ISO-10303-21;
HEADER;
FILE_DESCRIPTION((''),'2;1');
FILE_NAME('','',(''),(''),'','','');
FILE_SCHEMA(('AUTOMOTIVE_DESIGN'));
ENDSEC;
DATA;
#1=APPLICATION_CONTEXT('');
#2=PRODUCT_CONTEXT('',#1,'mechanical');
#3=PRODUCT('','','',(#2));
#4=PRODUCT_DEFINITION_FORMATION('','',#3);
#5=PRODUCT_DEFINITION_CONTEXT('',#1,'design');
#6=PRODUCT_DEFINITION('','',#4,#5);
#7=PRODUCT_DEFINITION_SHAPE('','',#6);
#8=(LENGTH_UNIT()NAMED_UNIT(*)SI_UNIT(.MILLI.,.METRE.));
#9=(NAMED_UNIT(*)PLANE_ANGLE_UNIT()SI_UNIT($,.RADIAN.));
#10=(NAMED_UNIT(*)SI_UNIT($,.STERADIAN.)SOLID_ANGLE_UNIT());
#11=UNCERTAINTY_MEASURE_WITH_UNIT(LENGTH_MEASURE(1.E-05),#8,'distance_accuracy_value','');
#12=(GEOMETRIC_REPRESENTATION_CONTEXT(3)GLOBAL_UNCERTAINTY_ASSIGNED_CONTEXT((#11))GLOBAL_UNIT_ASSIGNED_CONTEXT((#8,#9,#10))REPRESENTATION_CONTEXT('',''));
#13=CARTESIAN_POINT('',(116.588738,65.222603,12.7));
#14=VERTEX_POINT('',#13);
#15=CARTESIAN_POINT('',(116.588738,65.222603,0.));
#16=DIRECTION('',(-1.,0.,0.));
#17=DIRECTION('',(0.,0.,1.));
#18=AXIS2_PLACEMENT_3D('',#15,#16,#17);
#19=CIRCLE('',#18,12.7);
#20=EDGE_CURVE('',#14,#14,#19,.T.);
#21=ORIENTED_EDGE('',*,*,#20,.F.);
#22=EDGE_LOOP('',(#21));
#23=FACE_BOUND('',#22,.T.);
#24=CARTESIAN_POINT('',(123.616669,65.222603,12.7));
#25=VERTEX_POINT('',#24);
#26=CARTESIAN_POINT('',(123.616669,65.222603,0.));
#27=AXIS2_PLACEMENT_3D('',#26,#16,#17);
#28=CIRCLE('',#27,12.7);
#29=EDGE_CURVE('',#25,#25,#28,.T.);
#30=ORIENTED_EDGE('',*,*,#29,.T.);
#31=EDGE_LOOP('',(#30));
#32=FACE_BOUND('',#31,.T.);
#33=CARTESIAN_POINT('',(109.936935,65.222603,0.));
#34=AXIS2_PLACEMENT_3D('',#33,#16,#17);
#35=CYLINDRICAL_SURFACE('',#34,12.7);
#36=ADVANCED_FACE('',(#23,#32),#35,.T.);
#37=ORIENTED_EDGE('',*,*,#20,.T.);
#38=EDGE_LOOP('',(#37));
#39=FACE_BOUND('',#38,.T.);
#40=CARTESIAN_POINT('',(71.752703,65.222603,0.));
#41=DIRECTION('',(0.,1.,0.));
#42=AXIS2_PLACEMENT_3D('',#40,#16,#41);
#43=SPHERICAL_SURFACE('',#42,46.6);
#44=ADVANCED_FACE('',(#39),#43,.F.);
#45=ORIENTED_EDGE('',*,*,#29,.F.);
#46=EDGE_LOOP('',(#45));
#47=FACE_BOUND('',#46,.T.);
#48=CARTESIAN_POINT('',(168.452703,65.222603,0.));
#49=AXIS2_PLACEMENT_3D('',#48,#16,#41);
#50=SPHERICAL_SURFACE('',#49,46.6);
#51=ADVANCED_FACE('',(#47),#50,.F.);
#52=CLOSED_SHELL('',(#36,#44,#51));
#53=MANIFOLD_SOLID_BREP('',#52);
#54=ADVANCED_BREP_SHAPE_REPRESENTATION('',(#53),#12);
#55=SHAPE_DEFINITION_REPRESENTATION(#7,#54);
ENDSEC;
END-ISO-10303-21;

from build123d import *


with BuildPart() as part:
    # 草图1 → 旋转1 (revolve)
    with BuildSketch(Plane.XY):
        with BuildLine():
            Line((121.852703446, 65.222602873), (118.352703446, 65.222602873))
            ThreePointArc((118.352703446, 65.222602873), (117.909605493, 71.63356173), (116.588738061, 77.922602873))
            Line((116.588738061, 77.922602873), (120.102703446, 77.922602873))
            Line((120.102703446, 77.922602873), (123.616668831, 77.922602873))
            ThreePointArc((123.616668831, 77.922602873), (122.2958014, 71.63356173), (121.852703446, 65.222602873))
        make_face()
    revolve(axis=Axis((109.936935226, 65.222602873, 0), (1, 0, 0)))


solid = part.part
